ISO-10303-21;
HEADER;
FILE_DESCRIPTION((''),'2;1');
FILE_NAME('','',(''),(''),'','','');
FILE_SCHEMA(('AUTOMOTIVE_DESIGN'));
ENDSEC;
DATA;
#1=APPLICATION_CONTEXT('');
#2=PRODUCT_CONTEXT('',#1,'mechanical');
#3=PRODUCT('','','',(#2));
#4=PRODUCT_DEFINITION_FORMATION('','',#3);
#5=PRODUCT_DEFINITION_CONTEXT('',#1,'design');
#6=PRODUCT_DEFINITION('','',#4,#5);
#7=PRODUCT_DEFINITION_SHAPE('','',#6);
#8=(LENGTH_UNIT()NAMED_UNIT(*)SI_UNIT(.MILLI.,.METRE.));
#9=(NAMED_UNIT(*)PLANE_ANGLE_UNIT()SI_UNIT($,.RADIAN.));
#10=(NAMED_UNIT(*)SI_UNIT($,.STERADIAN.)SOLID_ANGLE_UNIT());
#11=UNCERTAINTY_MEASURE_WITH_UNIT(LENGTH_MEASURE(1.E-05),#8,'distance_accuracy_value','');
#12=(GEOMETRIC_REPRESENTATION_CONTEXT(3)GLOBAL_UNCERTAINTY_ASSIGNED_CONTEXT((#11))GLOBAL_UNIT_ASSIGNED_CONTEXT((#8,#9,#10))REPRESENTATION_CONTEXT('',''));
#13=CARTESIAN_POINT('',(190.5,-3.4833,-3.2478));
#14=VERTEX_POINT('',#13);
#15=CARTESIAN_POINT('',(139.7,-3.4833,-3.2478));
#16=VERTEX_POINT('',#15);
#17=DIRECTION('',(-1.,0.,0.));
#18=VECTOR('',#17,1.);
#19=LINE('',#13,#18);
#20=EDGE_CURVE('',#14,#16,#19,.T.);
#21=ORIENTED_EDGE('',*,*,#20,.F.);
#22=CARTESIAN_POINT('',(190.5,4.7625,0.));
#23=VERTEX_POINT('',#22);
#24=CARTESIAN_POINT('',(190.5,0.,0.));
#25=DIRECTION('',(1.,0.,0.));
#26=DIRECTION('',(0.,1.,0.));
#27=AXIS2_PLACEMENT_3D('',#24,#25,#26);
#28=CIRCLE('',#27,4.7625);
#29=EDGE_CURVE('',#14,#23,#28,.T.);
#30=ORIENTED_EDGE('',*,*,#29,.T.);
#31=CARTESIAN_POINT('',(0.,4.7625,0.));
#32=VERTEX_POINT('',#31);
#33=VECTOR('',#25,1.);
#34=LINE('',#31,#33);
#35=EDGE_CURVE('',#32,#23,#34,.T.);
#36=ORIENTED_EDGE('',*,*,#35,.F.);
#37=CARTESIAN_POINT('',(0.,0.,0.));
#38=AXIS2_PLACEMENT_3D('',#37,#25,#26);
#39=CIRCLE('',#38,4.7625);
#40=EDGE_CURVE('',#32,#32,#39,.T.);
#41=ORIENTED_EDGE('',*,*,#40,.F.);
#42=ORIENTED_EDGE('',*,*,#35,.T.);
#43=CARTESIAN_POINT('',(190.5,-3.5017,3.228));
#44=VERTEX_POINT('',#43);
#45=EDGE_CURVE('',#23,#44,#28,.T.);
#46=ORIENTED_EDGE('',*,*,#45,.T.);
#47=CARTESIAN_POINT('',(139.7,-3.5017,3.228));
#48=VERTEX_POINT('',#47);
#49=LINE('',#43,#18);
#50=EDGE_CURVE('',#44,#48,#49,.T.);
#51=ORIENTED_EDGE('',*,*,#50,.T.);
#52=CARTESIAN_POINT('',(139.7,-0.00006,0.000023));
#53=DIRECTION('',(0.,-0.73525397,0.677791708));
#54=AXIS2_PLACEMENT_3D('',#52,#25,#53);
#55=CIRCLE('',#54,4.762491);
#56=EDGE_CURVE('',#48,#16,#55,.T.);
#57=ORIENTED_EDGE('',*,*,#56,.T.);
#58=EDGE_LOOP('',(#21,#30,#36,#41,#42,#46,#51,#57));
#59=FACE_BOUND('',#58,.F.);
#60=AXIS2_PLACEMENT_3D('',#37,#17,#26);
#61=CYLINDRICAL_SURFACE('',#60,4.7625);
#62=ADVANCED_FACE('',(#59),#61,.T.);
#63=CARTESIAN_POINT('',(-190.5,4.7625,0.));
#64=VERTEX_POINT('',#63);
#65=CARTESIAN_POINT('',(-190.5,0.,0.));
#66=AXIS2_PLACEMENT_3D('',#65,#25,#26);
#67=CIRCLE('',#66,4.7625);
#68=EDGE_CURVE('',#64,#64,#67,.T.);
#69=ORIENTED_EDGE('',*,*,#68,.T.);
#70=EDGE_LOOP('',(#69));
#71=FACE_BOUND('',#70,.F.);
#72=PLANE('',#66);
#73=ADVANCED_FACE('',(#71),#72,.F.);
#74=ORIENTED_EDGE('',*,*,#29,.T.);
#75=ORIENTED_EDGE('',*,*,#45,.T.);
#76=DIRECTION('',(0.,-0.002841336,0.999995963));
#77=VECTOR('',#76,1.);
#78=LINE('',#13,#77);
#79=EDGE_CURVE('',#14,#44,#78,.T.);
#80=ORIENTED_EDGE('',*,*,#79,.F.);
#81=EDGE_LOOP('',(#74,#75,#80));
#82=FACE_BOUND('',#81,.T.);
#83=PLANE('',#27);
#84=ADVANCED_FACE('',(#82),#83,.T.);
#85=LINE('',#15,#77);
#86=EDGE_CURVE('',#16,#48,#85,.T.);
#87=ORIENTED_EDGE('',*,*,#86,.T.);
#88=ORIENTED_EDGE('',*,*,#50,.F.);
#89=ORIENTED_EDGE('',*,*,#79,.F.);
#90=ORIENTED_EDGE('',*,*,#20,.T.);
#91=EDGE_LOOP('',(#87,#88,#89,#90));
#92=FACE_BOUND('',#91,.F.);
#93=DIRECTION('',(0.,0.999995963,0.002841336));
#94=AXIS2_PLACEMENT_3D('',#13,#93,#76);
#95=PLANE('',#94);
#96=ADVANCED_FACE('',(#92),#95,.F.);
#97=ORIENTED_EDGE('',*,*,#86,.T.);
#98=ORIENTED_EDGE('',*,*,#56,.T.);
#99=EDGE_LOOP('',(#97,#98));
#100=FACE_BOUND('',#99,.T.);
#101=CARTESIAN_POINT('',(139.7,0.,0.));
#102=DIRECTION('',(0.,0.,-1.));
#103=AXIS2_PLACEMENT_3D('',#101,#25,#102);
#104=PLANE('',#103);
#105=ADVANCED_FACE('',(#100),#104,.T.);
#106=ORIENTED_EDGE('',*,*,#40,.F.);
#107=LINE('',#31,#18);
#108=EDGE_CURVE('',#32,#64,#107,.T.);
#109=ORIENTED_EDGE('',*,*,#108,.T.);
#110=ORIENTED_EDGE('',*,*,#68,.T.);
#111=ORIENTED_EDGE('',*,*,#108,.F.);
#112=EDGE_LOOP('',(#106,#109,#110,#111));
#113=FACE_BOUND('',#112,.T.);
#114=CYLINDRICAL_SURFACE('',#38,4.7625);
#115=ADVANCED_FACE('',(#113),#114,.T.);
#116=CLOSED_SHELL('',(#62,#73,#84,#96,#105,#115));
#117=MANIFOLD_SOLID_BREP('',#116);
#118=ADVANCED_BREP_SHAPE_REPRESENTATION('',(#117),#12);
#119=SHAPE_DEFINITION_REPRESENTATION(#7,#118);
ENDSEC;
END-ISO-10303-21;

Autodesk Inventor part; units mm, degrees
ref_plane "YZ Plane" through (0, 0, 0) normal (1, 0, 0) x (0, 1, 0)
ref_plane "XZ Plane" through (0, 0, 0) normal (0, 1, 0) x (-1, 0, 0)
ref_plane "XY Plane" through (0, 0, 0) normal (0, 0, 1) x (1, 0, 0)
sketch "Sketch2" plane through (0, 0, 0) normal (1, 0, 0) x (0, 1, 0)
  circle A0 centre (0, 0) radius 4.7625
  dimension "d1" = 9.525
extrude "Extrusion1" add sketch "Sketch2" along normal mid plane 381
sketch "Sketch3" plane through (190.5, 0, 0) normal (1, 0, 0) x (0, 0, -1)
  arc A0 (-3.228, -3.5017) -> (3.2478, -3.4833) centre (0, 0) ccw
  line L0 (3.2478, -3.4833) -> (-3.228, -3.5017)
  circle A1 centre (0, 0) radius 4.7625 projected
  dimension "d4" = 3.4925
extrude "Extrusion2" cut sketch "Sketch3" against normal blind 50.8 contours L0 A0
equation "\"d1\" = axelDiam"
equation "\"d2\" = axelLength"
equation "\"axelDiam\" = 9.525"
equation "\"axelLength\" = 381"
properties part number "SteelRodForShooter" material "Steel, High Strength, Low Alloy"
